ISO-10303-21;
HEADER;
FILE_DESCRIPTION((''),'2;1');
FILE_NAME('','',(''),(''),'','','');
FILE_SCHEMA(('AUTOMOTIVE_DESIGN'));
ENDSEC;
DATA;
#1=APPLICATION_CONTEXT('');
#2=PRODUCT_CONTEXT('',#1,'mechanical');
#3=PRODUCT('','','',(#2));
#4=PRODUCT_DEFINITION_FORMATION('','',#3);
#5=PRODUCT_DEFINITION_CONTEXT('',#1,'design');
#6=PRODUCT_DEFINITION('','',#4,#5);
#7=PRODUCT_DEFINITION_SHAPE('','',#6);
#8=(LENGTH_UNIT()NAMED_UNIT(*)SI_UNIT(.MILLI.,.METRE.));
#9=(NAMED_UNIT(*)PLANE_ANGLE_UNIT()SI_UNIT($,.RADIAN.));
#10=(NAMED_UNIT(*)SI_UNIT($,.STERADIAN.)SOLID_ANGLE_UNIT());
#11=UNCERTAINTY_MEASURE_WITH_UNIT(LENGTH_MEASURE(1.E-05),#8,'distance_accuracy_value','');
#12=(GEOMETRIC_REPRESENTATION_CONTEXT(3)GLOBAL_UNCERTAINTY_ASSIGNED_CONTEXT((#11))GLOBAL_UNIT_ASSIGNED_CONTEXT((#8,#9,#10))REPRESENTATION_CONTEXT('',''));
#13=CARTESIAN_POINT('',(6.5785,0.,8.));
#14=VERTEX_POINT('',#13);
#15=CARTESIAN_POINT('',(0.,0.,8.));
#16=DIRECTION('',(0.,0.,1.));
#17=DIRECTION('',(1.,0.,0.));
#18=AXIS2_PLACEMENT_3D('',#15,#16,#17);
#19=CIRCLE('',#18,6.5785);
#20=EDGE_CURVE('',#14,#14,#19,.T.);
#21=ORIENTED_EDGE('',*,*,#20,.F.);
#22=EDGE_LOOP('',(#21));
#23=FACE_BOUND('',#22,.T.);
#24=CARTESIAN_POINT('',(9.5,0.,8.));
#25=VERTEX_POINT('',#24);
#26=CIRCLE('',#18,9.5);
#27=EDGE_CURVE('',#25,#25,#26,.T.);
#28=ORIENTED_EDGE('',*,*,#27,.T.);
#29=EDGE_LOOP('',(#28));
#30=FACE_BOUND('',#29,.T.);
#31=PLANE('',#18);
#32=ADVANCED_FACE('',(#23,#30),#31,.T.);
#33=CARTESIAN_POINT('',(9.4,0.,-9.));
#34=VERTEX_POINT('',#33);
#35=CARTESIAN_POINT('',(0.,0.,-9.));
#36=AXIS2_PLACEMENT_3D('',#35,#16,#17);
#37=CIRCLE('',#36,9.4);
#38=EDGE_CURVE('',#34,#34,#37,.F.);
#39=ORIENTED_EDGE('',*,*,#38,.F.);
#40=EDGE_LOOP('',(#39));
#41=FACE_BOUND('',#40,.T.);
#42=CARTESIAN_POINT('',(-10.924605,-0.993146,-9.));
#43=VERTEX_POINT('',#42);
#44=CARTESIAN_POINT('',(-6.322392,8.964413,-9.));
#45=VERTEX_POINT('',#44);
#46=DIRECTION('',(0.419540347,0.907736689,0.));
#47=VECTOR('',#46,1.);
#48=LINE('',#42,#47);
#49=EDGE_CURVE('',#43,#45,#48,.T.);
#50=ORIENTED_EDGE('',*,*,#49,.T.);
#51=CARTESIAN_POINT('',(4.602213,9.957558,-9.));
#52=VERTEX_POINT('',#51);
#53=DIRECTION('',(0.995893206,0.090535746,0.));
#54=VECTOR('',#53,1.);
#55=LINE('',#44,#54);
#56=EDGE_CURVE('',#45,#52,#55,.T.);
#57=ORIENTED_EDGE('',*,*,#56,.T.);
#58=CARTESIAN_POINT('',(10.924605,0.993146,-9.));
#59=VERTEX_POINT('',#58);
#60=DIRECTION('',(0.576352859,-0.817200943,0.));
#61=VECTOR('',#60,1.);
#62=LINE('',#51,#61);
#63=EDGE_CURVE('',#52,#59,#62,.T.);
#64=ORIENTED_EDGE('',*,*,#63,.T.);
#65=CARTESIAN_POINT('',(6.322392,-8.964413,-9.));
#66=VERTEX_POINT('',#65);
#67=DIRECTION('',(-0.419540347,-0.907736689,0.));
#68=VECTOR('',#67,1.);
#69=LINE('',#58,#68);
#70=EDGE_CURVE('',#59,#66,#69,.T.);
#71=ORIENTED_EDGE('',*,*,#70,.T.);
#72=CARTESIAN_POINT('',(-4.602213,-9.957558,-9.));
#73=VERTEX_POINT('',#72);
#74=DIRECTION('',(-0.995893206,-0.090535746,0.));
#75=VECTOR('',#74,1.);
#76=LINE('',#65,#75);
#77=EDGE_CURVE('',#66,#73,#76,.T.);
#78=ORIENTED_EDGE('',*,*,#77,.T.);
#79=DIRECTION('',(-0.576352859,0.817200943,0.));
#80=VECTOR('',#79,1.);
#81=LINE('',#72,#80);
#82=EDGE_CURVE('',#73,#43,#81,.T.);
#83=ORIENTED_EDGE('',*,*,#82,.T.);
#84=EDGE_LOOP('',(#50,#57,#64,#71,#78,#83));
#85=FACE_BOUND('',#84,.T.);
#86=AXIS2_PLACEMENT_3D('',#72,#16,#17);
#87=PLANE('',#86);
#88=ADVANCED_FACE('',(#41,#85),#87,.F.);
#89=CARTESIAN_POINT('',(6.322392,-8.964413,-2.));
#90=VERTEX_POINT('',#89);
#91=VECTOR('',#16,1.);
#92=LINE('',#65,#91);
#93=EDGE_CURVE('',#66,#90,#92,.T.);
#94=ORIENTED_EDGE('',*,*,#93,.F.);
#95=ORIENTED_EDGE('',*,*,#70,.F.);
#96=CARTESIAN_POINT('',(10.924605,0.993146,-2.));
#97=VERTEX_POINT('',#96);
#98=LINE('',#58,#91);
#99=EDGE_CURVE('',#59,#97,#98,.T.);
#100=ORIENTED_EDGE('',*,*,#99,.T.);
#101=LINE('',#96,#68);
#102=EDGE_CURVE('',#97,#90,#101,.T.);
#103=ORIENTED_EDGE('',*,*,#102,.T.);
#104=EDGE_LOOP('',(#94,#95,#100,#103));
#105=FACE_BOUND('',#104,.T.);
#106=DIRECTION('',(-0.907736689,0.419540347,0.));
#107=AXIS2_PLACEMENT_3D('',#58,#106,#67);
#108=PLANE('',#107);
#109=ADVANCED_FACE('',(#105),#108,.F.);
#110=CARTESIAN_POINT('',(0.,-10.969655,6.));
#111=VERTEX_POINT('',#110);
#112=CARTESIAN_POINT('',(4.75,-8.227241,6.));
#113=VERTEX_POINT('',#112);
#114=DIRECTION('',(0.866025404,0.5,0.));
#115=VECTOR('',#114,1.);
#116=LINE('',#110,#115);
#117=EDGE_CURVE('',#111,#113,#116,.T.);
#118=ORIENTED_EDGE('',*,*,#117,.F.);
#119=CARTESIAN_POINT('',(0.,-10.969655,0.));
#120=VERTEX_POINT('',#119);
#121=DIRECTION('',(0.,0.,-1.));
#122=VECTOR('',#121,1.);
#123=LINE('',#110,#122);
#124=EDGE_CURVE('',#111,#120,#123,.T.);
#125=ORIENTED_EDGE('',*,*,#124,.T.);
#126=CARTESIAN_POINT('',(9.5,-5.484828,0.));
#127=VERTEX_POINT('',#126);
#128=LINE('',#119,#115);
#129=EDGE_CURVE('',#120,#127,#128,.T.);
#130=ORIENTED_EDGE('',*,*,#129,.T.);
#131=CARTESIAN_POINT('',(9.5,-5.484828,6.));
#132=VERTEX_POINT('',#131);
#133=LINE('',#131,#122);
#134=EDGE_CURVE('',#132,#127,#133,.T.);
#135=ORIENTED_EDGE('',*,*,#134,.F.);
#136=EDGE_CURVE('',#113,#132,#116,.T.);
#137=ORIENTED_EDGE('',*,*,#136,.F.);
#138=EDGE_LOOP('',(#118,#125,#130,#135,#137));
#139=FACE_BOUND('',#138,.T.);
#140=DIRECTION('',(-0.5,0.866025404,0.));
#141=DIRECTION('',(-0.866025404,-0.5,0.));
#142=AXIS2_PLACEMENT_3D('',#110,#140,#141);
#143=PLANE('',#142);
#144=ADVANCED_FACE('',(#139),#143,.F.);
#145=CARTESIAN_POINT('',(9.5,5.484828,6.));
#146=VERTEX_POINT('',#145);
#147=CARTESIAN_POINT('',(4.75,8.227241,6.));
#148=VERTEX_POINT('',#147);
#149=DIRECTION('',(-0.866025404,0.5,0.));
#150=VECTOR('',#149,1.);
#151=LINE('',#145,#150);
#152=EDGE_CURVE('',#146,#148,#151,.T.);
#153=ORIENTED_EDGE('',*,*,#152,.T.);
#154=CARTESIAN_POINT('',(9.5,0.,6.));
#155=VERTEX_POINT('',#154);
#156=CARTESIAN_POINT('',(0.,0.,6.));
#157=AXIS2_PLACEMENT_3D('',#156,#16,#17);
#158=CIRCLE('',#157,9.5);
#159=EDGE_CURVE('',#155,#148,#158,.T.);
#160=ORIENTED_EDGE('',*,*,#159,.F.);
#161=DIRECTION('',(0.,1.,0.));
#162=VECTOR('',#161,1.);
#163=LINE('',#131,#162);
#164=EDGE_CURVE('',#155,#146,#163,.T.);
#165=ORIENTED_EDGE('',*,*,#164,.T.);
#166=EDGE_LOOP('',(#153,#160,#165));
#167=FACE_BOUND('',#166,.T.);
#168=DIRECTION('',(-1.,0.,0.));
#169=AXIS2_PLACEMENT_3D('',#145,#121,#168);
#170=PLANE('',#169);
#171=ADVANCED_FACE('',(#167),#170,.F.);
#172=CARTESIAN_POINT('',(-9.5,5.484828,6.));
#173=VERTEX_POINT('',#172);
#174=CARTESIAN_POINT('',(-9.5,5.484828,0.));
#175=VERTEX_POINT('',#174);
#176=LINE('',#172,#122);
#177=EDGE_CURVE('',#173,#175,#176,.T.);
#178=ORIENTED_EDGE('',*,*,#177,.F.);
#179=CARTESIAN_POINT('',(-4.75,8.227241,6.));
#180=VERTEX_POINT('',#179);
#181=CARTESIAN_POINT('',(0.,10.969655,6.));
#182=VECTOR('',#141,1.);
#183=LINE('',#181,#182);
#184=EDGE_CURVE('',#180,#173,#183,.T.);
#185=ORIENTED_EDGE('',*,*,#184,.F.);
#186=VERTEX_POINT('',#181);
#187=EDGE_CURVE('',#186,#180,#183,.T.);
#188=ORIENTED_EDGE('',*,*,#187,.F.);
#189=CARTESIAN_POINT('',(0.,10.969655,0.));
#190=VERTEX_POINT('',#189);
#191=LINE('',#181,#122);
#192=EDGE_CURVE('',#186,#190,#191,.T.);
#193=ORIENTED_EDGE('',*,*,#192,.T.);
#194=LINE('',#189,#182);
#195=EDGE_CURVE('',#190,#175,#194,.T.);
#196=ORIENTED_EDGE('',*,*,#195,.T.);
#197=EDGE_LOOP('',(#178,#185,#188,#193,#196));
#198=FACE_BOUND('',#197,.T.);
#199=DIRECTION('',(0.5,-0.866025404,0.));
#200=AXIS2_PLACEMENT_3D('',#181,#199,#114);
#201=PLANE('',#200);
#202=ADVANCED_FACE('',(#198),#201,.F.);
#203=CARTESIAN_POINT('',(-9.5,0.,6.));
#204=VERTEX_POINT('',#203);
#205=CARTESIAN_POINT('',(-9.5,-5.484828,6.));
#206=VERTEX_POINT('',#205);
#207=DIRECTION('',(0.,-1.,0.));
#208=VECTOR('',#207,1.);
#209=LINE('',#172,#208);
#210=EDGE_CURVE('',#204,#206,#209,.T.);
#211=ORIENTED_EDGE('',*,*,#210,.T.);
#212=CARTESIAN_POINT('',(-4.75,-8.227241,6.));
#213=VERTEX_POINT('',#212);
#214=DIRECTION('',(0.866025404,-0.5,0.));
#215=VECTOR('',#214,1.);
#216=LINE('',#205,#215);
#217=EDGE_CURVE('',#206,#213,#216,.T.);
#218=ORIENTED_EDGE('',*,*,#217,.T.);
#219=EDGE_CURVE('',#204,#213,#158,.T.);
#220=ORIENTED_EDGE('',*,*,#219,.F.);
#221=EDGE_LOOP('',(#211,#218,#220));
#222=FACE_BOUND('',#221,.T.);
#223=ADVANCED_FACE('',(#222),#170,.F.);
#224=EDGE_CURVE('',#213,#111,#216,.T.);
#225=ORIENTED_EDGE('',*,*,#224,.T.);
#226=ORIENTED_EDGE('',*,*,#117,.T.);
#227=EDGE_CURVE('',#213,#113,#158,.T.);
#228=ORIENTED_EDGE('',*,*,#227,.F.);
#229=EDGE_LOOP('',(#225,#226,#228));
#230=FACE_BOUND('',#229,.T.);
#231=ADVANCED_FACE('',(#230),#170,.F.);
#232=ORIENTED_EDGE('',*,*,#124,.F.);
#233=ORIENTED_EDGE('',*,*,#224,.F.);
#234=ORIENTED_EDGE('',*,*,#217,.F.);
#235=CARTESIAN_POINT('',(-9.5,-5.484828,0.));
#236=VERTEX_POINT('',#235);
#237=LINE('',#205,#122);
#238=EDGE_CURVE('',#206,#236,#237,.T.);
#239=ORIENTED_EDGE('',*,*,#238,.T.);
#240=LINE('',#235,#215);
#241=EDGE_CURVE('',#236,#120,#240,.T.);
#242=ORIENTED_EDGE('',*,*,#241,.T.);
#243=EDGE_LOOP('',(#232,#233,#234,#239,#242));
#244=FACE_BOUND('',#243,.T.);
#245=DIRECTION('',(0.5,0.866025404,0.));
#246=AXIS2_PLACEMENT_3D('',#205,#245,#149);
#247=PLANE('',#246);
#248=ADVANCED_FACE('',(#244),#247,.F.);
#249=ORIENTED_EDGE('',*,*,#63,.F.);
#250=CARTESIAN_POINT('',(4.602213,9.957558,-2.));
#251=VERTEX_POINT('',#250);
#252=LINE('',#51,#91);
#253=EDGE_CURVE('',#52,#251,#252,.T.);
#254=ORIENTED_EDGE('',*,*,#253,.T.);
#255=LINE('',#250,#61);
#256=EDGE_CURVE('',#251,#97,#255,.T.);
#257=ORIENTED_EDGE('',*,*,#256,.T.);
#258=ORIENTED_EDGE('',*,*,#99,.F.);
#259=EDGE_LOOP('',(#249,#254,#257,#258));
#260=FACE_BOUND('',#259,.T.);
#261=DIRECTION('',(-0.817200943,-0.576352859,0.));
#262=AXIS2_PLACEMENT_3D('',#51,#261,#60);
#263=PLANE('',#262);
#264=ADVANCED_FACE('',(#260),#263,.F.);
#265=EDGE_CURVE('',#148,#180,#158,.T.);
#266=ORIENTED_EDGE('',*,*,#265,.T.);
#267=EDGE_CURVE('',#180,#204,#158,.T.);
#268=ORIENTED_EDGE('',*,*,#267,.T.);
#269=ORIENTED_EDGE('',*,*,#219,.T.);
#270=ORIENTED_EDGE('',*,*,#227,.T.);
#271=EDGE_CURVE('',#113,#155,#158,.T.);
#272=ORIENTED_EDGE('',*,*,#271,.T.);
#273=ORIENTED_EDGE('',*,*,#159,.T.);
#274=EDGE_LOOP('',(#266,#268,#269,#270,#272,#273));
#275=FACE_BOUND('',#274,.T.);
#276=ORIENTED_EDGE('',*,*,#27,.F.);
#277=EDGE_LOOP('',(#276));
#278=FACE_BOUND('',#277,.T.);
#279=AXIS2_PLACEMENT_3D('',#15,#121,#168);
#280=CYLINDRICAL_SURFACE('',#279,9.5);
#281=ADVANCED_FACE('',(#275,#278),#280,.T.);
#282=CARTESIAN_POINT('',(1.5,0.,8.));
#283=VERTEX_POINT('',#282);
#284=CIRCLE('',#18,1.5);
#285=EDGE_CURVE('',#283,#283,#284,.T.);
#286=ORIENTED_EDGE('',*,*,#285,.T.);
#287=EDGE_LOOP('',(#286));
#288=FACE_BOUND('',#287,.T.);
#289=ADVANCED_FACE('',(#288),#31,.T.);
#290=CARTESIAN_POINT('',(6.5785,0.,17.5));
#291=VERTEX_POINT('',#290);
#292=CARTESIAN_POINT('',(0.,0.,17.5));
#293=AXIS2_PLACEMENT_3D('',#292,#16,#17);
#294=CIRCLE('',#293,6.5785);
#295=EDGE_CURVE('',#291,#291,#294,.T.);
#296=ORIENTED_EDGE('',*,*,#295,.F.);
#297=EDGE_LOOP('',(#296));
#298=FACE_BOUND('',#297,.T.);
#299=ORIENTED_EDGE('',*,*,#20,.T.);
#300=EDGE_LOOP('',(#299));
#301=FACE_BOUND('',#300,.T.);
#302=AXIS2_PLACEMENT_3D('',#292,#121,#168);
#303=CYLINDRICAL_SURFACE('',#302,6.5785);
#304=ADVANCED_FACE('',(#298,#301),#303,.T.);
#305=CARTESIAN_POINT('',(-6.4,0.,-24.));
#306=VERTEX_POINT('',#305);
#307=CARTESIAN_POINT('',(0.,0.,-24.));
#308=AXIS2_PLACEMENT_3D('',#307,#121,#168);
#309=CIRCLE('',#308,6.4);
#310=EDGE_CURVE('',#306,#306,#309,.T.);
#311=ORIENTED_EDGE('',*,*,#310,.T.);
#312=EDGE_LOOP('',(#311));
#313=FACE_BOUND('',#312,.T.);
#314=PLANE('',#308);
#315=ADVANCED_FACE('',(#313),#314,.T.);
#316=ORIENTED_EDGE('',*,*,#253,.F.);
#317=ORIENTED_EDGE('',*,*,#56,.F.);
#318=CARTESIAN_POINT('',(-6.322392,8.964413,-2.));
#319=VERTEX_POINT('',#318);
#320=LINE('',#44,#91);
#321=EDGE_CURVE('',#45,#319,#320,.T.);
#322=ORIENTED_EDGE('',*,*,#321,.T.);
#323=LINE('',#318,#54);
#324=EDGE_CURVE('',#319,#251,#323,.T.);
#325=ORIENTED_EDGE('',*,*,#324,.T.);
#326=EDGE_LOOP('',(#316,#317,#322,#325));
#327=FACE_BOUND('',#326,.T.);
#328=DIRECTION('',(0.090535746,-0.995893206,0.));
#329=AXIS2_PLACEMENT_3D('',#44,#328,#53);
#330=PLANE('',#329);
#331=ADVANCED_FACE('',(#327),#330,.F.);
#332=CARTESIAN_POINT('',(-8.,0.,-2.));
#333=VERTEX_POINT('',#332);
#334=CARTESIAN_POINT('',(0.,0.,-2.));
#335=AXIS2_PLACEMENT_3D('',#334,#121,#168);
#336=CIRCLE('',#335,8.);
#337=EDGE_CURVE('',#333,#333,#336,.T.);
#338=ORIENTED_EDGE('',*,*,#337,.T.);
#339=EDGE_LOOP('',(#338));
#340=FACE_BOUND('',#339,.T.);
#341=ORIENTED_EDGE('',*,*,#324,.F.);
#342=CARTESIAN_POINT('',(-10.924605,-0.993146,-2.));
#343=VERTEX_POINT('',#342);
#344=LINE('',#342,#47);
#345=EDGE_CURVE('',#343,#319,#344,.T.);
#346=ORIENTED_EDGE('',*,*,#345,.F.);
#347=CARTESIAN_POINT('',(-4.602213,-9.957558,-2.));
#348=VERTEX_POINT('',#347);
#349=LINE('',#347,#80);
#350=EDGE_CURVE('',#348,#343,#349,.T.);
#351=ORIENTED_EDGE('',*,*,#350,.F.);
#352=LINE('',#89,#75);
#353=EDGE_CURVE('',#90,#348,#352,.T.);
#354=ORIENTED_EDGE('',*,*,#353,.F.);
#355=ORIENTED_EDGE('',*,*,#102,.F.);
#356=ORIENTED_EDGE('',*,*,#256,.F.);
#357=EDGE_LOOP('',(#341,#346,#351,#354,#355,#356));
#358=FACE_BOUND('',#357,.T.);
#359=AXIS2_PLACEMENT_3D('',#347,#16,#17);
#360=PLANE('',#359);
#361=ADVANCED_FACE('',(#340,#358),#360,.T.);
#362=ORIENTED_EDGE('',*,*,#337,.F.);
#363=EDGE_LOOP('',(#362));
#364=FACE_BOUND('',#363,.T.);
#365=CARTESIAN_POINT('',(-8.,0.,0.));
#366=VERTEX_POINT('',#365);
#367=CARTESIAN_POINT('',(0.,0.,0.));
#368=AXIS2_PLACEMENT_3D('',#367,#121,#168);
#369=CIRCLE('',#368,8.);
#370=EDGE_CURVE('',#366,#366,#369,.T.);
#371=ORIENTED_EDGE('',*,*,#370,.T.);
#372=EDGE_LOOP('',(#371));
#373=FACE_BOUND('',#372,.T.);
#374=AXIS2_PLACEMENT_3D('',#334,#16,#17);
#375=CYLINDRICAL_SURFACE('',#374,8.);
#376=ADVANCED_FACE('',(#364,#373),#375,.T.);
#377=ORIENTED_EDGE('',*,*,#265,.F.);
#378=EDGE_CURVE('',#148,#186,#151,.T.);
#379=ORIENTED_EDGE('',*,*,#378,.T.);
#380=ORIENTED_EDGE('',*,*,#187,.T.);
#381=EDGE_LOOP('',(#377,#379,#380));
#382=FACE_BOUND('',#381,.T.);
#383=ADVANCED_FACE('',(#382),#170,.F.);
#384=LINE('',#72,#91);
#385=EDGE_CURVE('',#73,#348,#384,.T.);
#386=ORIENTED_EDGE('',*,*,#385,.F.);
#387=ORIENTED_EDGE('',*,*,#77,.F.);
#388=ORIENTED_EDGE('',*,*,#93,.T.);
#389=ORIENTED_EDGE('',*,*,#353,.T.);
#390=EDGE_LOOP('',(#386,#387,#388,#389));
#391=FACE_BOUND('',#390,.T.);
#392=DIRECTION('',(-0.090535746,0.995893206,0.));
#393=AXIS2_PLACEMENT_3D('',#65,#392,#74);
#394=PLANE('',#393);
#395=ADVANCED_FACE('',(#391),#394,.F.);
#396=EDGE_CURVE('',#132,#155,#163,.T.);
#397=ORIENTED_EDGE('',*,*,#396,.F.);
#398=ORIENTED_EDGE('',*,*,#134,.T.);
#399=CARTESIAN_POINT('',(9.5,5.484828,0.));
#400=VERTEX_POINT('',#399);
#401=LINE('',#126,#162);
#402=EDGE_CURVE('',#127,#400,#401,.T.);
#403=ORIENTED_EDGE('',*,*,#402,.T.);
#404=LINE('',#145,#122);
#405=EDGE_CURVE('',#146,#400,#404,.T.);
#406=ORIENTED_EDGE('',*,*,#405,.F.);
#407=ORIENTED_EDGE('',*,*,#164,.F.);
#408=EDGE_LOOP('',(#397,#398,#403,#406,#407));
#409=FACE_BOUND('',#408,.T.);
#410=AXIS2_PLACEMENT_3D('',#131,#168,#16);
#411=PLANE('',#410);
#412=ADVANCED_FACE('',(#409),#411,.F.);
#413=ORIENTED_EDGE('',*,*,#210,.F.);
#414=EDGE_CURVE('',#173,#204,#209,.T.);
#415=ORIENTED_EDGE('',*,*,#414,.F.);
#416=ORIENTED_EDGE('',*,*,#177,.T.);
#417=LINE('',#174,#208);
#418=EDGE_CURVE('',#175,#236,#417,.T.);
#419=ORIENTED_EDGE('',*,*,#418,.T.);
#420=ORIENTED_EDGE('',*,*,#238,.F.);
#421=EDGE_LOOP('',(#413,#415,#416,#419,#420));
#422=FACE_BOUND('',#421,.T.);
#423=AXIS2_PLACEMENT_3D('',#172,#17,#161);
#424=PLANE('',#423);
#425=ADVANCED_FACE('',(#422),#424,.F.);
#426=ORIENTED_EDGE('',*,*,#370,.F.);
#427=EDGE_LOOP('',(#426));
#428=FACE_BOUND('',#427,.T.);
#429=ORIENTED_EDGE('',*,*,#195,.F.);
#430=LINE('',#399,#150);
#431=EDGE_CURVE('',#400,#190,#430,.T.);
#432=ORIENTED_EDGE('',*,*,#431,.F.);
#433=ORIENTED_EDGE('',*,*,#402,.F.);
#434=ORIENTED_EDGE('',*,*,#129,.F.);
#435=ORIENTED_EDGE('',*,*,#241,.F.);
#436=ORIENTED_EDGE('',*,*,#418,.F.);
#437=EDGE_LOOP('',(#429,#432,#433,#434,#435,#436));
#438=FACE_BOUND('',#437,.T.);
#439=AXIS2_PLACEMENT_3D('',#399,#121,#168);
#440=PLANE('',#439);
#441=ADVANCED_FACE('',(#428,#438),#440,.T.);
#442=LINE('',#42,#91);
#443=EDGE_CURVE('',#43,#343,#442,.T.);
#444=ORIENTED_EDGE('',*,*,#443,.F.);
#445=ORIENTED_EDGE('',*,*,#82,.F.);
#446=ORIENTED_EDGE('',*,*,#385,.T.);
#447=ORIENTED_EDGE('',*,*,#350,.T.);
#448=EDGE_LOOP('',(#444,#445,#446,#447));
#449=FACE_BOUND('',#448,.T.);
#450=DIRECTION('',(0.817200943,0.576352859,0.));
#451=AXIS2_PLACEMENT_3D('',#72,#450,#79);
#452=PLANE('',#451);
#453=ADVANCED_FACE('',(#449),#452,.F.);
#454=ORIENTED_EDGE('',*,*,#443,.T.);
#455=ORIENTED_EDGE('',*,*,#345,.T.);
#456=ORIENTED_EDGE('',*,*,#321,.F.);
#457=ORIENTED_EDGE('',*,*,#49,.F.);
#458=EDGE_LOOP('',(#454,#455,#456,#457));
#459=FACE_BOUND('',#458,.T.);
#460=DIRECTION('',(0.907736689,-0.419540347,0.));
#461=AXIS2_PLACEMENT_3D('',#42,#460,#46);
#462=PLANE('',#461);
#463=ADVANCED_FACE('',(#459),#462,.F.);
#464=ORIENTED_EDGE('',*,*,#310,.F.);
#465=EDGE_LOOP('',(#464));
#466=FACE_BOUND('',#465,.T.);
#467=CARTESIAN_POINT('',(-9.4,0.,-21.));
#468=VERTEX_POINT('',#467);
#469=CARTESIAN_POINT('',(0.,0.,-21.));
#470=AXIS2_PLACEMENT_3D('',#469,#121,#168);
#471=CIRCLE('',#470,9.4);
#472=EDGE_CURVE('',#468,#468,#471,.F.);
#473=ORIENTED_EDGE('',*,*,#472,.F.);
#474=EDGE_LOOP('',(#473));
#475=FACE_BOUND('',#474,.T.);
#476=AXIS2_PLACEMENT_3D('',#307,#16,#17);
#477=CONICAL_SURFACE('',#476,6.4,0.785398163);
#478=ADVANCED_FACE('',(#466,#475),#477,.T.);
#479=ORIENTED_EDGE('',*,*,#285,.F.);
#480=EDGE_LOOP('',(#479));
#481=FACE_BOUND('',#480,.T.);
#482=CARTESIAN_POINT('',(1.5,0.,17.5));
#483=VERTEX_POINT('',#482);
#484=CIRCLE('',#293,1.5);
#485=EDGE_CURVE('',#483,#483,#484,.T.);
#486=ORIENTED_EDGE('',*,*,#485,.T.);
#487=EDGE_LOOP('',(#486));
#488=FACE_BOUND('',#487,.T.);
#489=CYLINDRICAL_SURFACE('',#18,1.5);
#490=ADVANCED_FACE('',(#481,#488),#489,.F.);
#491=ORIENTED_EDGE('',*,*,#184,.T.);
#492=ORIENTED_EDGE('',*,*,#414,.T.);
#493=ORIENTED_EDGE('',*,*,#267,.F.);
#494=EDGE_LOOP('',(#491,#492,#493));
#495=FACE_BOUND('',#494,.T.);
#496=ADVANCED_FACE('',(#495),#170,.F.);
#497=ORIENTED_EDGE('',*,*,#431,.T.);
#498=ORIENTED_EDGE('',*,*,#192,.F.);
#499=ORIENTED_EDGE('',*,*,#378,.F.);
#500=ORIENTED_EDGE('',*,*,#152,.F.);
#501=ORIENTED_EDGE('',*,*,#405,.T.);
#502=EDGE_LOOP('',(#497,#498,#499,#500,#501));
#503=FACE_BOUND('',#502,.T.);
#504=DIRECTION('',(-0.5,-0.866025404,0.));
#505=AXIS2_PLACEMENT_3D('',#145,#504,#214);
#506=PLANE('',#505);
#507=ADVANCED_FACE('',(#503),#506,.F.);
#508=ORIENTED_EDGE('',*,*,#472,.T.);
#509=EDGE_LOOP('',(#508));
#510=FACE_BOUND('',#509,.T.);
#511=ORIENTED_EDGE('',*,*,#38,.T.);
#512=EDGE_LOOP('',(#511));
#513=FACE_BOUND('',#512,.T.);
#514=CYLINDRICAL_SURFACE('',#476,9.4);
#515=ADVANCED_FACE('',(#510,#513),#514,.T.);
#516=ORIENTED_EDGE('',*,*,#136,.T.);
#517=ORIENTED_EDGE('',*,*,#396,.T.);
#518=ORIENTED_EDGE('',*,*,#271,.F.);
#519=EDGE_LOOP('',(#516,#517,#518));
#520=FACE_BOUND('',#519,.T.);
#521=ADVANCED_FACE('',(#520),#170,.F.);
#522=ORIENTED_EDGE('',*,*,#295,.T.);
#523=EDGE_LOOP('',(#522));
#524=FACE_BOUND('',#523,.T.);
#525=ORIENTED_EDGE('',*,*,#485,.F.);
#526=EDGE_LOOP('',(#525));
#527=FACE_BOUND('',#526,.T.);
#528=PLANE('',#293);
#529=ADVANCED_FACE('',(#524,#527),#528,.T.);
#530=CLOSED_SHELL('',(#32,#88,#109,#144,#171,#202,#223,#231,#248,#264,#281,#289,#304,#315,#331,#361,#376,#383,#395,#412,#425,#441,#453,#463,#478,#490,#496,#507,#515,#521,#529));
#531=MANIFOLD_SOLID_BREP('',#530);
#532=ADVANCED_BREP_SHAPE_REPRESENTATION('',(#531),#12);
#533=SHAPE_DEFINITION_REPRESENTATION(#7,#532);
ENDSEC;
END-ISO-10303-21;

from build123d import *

# Parameters (mm, degrees)
BASE_EXTRUDE_DEPTH  = 6
SKETCH2_R           = 9.5
BOSS_EXTRUDE1_DEPTH = 2
SKETCH3_R           = 6.5785
BOSS_EXTRUDE2_DEPTH = 9.5
SKETCH4_R           = 1.5
CUT_EXTRUDE1_DEPTH  = 9.5
SKETCH5_R           = 8
BOSS_EXTRUDE3_DEPTH = 2
BOSS_EXTRUDE4_DEPTH = 7
SKETCH8_R           = 9.4
BOSS_EXTRUDE5_DEPTH = 15
CHAMFER1_SIZE       = 3


with BuildPart() as part:
    # Sketch1 → Base-Extrude (new body)
    with BuildSketch(Plane.XY):
        Polygon((0, 10.969655115), (-9.5, 5.484827557), (-9.5, -5.484827557), (0, -10.969655115), (9.5, -5.484827557), (9.5, 5.484827557), align=None)
    extrude(amount=BASE_EXTRUDE_DEPTH)

    # Sketch2 → Boss-Extrude1 (add)
    with BuildSketch(Plane.XY.offset(6)):
        Circle(SKETCH2_R)
    extrude(amount=BOSS_EXTRUDE1_DEPTH)

    # Sketch3 → Boss-Extrude2 (add)
    with BuildSketch(Plane.XY.offset(8)):
        Circle(SKETCH3_R)
    extrude(amount=BOSS_EXTRUDE2_DEPTH)

    # Sketch4 → Cut-Extrude1 (cut)
    with BuildSketch(Plane.XY.offset(17.5)):
        Circle(SKETCH4_R)
    extrude(amount=-CUT_EXTRUDE1_DEPTH, mode=Mode.SUBTRACT)

    # Sketch5 → Boss-Extrude3 (add)
    with BuildSketch(Plane(origin=(0, 0, 0), x_dir=(-1, 0, 0), z_dir=(0, 0, -1))):
        Circle(SKETCH5_R)
    extrude(amount=BOSS_EXTRUDE3_DEPTH)

    # Sketch7 → Boss-Extrude4 (add)
    with BuildSketch(Plane(origin=(0, 0, -2), x_dir=(-1, 0, 0), z_dir=(0, 0, -1))):
        Polygon((10.924605006, -0.99314591), (6.32239209, 8.964412507), (-4.602212916, 9.957558416), (-10.924605006, 0.99314591), (-6.32239209, -8.964412507), (4.602212916, -9.957558416), align=None)
    extrude(amount=BOSS_EXTRUDE4_DEPTH)

    # Sketch8 → Boss-Extrude5 (add)
    with BuildSketch(Plane(origin=(0, 0, -9), x_dir=(-1, 0, 0), z_dir=(0, 0, -1))):
        Circle(SKETCH8_R)
    extrude(amount=BOSS_EXTRUDE5_DEPTH)

    # Chamfer1
    chamfer1_edges = [part.edges().sort_by_distance(p)[0] for p in [
        (9.4, 0, -24),
    ]]
    chamfer(chamfer1_edges, length=CHAMFER1_SIZE)


solid = part.part
